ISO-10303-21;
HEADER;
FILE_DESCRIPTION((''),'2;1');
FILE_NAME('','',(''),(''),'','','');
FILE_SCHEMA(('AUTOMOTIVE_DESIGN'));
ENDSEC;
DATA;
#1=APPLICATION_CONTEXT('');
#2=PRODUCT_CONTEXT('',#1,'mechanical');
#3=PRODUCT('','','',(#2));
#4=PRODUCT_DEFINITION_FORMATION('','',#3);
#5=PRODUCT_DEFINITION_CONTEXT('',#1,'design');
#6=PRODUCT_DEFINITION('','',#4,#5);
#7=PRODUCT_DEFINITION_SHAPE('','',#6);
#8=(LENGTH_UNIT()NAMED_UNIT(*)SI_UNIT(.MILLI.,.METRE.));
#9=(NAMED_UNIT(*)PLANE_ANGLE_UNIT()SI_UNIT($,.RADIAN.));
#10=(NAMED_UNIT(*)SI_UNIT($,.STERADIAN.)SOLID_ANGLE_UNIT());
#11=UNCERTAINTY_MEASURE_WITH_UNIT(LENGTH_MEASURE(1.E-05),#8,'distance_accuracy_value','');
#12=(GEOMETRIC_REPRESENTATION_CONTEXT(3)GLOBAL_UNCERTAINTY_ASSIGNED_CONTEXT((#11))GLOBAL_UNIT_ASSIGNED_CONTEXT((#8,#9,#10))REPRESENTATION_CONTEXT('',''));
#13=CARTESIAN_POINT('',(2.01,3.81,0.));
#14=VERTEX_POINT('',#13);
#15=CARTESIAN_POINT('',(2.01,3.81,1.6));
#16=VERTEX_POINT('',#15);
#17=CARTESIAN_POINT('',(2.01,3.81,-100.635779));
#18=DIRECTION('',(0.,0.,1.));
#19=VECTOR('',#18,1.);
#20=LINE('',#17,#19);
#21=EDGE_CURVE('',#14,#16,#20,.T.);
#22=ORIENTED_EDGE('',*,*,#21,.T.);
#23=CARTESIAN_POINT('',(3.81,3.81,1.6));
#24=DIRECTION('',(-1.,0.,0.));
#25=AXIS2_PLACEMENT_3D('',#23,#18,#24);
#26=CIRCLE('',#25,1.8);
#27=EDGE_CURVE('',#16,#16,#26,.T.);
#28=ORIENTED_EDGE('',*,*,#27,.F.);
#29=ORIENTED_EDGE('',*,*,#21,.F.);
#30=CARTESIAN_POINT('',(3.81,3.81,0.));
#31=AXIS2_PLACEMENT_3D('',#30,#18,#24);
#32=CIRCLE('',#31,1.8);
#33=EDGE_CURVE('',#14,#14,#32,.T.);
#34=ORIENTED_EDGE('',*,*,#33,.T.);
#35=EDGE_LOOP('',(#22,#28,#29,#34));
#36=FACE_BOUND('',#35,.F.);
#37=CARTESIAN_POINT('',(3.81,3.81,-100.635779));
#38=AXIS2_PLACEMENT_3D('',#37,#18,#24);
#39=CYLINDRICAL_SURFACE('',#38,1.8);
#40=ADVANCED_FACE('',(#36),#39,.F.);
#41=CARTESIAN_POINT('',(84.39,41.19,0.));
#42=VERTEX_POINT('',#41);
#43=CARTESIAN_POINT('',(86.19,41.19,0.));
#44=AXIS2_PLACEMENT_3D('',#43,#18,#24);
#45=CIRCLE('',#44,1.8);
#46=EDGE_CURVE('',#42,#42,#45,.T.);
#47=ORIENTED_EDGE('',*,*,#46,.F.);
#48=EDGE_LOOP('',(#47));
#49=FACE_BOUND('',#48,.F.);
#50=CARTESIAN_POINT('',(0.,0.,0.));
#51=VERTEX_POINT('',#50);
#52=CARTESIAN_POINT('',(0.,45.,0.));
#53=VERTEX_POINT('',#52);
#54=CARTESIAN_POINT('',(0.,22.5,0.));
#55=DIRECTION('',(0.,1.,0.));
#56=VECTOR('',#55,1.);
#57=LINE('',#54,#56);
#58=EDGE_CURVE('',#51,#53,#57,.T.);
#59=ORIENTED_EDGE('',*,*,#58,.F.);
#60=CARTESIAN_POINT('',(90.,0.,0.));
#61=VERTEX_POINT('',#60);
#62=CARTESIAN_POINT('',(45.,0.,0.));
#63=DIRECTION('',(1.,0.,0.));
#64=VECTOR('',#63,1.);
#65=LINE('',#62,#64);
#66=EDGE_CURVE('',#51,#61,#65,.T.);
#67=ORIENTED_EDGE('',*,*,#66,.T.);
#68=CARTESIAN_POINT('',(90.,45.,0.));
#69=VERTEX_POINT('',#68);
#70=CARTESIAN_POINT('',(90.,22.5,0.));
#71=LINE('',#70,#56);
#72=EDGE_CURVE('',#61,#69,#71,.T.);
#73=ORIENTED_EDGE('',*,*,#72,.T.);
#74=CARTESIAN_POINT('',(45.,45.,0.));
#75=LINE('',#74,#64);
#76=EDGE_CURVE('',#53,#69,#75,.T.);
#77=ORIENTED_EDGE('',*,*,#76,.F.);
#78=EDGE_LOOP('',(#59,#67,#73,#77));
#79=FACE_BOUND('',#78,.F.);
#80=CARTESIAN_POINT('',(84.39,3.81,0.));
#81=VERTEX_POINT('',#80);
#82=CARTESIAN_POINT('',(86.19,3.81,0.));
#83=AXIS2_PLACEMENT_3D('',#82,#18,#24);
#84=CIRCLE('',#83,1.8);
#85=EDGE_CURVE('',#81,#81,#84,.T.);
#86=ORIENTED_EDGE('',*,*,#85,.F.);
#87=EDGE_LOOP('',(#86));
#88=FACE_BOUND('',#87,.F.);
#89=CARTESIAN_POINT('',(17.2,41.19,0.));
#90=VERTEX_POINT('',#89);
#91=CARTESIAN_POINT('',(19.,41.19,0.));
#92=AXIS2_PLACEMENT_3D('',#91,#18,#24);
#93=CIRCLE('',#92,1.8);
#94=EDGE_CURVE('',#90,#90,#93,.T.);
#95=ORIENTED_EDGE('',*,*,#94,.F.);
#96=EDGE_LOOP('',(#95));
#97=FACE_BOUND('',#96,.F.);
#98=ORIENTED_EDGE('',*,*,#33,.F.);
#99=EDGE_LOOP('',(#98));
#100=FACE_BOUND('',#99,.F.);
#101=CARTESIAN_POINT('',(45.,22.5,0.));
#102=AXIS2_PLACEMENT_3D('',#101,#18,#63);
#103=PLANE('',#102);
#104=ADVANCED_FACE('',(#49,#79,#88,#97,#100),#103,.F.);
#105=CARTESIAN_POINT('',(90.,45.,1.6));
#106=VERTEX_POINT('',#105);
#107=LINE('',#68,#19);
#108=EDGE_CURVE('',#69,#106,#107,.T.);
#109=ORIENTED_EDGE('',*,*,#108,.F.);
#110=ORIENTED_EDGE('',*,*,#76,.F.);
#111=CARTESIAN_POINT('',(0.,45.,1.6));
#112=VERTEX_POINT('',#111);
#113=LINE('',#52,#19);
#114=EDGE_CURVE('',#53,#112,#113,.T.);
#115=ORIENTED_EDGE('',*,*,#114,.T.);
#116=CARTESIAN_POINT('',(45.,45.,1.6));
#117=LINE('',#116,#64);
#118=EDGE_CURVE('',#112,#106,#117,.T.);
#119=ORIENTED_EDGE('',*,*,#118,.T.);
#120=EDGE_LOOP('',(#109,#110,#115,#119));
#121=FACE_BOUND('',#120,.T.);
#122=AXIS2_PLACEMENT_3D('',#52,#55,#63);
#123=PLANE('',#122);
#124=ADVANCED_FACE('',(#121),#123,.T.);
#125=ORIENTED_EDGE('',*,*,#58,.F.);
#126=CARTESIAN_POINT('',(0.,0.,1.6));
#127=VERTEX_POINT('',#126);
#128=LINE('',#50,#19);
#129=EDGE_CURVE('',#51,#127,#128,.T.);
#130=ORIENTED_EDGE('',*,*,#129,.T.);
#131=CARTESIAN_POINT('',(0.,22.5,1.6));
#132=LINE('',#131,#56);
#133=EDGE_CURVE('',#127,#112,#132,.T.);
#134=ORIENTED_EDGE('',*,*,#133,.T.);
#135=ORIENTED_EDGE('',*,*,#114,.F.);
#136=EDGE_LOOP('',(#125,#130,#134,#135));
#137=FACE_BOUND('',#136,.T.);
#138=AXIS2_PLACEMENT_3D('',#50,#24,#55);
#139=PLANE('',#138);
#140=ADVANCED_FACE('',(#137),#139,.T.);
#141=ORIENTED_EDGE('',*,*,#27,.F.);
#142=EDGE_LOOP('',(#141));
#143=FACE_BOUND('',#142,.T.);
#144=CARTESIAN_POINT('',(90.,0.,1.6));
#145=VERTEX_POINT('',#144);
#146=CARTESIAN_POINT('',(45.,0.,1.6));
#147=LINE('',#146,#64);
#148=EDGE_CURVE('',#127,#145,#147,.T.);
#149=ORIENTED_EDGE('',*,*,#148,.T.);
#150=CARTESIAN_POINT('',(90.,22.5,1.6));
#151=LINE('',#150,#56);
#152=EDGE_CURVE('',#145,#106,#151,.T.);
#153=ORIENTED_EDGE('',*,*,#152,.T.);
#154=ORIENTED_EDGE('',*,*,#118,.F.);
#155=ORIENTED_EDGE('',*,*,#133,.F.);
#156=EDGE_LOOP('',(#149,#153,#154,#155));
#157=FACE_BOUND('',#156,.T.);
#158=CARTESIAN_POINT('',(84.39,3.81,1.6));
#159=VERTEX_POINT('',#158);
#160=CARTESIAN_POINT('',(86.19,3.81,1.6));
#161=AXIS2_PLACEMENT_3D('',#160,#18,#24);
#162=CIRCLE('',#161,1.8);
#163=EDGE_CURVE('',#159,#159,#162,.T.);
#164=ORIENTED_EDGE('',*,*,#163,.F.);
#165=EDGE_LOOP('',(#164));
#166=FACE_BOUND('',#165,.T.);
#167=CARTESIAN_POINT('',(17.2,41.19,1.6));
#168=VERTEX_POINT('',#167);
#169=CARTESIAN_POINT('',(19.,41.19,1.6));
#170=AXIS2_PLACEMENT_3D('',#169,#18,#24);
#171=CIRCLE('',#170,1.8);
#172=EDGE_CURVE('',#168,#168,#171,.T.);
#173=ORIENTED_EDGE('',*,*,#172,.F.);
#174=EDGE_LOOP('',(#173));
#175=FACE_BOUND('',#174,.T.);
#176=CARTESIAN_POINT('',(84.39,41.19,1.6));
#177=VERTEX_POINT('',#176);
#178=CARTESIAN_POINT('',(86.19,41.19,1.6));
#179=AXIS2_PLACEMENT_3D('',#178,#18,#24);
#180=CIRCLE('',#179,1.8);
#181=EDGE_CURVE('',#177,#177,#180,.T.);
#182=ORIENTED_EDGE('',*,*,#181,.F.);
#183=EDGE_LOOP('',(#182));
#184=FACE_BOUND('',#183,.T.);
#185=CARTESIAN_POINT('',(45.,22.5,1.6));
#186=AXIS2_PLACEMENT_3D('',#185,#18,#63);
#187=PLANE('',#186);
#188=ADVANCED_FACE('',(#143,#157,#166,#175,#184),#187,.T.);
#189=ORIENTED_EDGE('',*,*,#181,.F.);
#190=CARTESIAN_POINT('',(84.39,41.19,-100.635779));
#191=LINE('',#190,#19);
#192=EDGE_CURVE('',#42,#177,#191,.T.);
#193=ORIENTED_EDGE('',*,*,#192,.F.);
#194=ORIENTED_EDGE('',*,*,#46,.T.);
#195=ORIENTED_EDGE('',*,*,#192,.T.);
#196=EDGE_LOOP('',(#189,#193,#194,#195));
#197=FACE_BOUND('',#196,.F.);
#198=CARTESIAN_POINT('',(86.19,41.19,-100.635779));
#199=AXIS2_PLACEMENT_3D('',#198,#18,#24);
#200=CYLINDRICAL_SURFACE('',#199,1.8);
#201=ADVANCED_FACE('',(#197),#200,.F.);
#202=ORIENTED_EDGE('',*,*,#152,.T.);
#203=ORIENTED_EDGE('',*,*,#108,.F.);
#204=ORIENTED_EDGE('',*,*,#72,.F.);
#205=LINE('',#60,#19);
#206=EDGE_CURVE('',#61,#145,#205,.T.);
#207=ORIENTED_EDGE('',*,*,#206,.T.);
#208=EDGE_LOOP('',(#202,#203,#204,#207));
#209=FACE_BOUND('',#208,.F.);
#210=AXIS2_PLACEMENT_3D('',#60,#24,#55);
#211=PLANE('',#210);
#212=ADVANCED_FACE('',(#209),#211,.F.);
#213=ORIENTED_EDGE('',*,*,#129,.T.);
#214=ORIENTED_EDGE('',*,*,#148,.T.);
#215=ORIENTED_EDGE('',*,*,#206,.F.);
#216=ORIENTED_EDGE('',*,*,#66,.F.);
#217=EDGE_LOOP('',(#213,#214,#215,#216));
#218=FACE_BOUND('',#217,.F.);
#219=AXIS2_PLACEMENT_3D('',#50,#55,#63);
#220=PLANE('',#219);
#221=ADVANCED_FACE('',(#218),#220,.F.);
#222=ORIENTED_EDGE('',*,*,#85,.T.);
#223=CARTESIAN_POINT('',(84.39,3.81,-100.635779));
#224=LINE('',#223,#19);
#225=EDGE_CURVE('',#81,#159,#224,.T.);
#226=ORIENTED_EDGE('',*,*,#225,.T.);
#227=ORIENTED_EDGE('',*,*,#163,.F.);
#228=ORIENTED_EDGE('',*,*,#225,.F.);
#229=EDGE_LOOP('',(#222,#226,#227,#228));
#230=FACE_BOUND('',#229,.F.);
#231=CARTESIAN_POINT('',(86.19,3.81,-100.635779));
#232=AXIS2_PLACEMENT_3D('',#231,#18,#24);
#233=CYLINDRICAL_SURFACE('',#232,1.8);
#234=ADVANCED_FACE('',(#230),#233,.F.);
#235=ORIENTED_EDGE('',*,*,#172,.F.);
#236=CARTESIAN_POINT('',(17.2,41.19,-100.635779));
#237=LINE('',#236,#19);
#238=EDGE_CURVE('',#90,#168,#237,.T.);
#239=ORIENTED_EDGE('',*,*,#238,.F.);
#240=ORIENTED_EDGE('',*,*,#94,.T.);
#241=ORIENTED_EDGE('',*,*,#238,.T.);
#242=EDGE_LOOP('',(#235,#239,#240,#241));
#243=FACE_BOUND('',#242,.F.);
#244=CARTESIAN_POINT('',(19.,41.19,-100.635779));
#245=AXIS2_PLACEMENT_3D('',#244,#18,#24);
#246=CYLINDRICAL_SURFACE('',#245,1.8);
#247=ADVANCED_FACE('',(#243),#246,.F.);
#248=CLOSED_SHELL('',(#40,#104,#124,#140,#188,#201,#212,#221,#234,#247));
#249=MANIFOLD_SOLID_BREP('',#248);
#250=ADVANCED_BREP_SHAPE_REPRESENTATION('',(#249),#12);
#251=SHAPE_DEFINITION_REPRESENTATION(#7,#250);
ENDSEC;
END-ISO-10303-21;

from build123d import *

# Parameters (mm, degrees)
F0_W     = 90
F0_H     = 45
F1_DEPTH = 1.6
F2_D     = 3.6


with BuildPart() as f1:
    # F0 (on Top) → F1 (new body)
    with BuildSketch(Plane.XY):
        with Locations((45, 22.5)):
            Rectangle(F0_W, F0_H)
    extrude(amount=F1_DEPTH)

    # F2 (through all)
    with Locations(Plane(origin=(0, 0, 0), x_dir=(1, 0, 0), z_dir=(0, 0, -1))):
        with Locations((19, -41.19), (3.81, -3.81), (86.19, -41.19), (86.19, -3.81)):
            Hole(F2_D / 2)


solid = f1.part
